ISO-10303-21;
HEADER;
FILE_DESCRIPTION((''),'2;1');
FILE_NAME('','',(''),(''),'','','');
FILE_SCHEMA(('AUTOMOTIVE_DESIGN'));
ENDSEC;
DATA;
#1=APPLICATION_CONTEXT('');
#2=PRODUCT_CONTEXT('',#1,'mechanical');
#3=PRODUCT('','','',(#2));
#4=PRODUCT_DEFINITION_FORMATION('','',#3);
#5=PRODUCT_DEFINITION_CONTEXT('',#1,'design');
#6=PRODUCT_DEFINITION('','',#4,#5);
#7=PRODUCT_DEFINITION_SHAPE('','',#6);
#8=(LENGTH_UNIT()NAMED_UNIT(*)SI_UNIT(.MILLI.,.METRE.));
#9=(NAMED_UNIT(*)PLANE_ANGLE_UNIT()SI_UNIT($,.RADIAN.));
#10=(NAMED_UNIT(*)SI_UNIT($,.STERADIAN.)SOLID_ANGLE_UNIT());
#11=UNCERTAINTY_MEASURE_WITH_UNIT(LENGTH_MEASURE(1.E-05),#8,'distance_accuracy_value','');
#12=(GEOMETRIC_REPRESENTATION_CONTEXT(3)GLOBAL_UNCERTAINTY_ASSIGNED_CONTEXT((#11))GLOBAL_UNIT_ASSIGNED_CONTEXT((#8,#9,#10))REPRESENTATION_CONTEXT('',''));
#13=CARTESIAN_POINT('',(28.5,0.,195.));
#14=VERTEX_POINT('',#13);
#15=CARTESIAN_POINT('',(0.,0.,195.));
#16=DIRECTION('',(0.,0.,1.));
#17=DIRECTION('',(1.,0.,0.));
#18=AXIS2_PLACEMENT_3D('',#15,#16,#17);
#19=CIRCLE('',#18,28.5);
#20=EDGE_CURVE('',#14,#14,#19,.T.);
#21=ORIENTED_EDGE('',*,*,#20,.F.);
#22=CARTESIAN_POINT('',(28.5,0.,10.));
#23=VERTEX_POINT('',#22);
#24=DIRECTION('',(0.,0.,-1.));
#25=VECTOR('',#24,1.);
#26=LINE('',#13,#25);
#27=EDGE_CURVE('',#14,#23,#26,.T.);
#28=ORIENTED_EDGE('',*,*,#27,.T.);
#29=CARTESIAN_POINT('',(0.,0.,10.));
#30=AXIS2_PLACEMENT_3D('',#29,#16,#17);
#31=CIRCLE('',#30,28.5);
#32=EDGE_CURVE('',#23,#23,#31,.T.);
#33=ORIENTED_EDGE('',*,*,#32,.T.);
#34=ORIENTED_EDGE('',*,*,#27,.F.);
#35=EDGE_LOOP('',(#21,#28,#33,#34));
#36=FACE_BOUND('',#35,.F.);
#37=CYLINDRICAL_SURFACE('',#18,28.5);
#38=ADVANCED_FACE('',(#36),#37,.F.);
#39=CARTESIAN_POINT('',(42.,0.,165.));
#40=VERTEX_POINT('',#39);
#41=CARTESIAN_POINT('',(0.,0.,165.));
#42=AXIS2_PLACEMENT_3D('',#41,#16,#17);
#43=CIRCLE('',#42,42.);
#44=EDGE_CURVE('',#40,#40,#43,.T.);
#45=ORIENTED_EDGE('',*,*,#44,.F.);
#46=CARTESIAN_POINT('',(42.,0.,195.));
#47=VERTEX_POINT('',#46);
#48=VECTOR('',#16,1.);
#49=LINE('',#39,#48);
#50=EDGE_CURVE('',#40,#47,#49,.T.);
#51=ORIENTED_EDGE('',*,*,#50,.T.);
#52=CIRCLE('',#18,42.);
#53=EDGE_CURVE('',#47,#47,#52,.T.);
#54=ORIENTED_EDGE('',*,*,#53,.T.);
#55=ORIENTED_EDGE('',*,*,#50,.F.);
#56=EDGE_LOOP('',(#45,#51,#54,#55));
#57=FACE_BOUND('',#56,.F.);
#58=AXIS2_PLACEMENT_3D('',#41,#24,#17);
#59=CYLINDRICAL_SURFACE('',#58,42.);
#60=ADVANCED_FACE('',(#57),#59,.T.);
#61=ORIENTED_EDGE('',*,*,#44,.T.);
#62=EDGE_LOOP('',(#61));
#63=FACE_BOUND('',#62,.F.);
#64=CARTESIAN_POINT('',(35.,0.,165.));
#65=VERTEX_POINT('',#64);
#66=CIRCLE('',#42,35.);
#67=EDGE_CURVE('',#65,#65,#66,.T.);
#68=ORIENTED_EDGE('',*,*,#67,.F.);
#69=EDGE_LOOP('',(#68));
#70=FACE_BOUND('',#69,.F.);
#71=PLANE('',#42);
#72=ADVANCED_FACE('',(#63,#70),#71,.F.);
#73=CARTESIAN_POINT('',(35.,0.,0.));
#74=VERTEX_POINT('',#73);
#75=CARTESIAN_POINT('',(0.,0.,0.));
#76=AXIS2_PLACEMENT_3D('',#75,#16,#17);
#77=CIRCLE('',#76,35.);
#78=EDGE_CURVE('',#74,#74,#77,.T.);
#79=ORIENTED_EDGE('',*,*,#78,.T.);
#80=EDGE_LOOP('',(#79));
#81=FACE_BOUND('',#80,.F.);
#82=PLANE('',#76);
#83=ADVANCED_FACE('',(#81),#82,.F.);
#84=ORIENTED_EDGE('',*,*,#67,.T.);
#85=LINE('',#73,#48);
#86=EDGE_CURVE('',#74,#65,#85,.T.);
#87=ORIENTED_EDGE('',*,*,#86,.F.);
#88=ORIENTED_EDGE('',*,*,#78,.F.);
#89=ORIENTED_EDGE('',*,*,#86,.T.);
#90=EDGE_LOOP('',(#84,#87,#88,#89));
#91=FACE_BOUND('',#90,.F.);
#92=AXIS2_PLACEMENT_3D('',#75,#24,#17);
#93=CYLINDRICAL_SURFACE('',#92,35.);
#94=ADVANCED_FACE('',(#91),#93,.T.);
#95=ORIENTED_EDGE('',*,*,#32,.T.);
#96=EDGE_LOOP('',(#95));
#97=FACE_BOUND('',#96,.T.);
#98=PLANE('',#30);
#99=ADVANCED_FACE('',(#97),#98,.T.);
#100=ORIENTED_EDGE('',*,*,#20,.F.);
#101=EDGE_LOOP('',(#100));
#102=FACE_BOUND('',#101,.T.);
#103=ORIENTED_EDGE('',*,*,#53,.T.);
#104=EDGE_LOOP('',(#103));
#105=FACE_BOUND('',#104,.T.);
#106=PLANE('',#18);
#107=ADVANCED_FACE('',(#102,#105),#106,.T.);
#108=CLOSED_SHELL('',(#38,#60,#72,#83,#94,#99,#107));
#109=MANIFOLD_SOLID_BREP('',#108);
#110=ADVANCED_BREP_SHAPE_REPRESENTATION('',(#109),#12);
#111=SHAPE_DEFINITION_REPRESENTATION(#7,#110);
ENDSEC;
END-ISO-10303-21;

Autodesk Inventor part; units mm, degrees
ref_plane "YZ Plane" through (0, 0, 0) normal (1, 0, 0) x (0, 1, 0)
ref_plane "XZ Plane" through (0, 0, 0) normal (0, 1, 0) x (-1, 0, 0)
ref_plane "XY Plane" through (0, 0, 0) normal (0, 0, 1) x (1, 0, 0)
sketch "Sketch1" plane through (0, 0, 0) normal (0, 0, 1) x (1, 0, 0)
  circle A0 centre (0, 0) radius 35
  dimension "d0" = 70
extrude "Extrusion1" add sketch "Sketch1" along normal blind 165
sketch "Sketch2" plane through (0, 0, 165) normal (0, 0, 1) x (1, 0, 0)
  circle A0 centre (0, 0) radius 42
  dimension "d3" = 84
extrude "Extrusion2" add sketch "Sketch2" along normal blind 30
sketch "Sketch3" plane through (0, 0, 195) normal (0, 0, 1) x (1, 0, 0)
  circle A0 centre (0, 0) radius 28.5
  dimension "d6" = 57
extrude "Extrusion3" cut sketch "Sketch3" against normal blind 185
properties part number "Tygiel_TG5"
